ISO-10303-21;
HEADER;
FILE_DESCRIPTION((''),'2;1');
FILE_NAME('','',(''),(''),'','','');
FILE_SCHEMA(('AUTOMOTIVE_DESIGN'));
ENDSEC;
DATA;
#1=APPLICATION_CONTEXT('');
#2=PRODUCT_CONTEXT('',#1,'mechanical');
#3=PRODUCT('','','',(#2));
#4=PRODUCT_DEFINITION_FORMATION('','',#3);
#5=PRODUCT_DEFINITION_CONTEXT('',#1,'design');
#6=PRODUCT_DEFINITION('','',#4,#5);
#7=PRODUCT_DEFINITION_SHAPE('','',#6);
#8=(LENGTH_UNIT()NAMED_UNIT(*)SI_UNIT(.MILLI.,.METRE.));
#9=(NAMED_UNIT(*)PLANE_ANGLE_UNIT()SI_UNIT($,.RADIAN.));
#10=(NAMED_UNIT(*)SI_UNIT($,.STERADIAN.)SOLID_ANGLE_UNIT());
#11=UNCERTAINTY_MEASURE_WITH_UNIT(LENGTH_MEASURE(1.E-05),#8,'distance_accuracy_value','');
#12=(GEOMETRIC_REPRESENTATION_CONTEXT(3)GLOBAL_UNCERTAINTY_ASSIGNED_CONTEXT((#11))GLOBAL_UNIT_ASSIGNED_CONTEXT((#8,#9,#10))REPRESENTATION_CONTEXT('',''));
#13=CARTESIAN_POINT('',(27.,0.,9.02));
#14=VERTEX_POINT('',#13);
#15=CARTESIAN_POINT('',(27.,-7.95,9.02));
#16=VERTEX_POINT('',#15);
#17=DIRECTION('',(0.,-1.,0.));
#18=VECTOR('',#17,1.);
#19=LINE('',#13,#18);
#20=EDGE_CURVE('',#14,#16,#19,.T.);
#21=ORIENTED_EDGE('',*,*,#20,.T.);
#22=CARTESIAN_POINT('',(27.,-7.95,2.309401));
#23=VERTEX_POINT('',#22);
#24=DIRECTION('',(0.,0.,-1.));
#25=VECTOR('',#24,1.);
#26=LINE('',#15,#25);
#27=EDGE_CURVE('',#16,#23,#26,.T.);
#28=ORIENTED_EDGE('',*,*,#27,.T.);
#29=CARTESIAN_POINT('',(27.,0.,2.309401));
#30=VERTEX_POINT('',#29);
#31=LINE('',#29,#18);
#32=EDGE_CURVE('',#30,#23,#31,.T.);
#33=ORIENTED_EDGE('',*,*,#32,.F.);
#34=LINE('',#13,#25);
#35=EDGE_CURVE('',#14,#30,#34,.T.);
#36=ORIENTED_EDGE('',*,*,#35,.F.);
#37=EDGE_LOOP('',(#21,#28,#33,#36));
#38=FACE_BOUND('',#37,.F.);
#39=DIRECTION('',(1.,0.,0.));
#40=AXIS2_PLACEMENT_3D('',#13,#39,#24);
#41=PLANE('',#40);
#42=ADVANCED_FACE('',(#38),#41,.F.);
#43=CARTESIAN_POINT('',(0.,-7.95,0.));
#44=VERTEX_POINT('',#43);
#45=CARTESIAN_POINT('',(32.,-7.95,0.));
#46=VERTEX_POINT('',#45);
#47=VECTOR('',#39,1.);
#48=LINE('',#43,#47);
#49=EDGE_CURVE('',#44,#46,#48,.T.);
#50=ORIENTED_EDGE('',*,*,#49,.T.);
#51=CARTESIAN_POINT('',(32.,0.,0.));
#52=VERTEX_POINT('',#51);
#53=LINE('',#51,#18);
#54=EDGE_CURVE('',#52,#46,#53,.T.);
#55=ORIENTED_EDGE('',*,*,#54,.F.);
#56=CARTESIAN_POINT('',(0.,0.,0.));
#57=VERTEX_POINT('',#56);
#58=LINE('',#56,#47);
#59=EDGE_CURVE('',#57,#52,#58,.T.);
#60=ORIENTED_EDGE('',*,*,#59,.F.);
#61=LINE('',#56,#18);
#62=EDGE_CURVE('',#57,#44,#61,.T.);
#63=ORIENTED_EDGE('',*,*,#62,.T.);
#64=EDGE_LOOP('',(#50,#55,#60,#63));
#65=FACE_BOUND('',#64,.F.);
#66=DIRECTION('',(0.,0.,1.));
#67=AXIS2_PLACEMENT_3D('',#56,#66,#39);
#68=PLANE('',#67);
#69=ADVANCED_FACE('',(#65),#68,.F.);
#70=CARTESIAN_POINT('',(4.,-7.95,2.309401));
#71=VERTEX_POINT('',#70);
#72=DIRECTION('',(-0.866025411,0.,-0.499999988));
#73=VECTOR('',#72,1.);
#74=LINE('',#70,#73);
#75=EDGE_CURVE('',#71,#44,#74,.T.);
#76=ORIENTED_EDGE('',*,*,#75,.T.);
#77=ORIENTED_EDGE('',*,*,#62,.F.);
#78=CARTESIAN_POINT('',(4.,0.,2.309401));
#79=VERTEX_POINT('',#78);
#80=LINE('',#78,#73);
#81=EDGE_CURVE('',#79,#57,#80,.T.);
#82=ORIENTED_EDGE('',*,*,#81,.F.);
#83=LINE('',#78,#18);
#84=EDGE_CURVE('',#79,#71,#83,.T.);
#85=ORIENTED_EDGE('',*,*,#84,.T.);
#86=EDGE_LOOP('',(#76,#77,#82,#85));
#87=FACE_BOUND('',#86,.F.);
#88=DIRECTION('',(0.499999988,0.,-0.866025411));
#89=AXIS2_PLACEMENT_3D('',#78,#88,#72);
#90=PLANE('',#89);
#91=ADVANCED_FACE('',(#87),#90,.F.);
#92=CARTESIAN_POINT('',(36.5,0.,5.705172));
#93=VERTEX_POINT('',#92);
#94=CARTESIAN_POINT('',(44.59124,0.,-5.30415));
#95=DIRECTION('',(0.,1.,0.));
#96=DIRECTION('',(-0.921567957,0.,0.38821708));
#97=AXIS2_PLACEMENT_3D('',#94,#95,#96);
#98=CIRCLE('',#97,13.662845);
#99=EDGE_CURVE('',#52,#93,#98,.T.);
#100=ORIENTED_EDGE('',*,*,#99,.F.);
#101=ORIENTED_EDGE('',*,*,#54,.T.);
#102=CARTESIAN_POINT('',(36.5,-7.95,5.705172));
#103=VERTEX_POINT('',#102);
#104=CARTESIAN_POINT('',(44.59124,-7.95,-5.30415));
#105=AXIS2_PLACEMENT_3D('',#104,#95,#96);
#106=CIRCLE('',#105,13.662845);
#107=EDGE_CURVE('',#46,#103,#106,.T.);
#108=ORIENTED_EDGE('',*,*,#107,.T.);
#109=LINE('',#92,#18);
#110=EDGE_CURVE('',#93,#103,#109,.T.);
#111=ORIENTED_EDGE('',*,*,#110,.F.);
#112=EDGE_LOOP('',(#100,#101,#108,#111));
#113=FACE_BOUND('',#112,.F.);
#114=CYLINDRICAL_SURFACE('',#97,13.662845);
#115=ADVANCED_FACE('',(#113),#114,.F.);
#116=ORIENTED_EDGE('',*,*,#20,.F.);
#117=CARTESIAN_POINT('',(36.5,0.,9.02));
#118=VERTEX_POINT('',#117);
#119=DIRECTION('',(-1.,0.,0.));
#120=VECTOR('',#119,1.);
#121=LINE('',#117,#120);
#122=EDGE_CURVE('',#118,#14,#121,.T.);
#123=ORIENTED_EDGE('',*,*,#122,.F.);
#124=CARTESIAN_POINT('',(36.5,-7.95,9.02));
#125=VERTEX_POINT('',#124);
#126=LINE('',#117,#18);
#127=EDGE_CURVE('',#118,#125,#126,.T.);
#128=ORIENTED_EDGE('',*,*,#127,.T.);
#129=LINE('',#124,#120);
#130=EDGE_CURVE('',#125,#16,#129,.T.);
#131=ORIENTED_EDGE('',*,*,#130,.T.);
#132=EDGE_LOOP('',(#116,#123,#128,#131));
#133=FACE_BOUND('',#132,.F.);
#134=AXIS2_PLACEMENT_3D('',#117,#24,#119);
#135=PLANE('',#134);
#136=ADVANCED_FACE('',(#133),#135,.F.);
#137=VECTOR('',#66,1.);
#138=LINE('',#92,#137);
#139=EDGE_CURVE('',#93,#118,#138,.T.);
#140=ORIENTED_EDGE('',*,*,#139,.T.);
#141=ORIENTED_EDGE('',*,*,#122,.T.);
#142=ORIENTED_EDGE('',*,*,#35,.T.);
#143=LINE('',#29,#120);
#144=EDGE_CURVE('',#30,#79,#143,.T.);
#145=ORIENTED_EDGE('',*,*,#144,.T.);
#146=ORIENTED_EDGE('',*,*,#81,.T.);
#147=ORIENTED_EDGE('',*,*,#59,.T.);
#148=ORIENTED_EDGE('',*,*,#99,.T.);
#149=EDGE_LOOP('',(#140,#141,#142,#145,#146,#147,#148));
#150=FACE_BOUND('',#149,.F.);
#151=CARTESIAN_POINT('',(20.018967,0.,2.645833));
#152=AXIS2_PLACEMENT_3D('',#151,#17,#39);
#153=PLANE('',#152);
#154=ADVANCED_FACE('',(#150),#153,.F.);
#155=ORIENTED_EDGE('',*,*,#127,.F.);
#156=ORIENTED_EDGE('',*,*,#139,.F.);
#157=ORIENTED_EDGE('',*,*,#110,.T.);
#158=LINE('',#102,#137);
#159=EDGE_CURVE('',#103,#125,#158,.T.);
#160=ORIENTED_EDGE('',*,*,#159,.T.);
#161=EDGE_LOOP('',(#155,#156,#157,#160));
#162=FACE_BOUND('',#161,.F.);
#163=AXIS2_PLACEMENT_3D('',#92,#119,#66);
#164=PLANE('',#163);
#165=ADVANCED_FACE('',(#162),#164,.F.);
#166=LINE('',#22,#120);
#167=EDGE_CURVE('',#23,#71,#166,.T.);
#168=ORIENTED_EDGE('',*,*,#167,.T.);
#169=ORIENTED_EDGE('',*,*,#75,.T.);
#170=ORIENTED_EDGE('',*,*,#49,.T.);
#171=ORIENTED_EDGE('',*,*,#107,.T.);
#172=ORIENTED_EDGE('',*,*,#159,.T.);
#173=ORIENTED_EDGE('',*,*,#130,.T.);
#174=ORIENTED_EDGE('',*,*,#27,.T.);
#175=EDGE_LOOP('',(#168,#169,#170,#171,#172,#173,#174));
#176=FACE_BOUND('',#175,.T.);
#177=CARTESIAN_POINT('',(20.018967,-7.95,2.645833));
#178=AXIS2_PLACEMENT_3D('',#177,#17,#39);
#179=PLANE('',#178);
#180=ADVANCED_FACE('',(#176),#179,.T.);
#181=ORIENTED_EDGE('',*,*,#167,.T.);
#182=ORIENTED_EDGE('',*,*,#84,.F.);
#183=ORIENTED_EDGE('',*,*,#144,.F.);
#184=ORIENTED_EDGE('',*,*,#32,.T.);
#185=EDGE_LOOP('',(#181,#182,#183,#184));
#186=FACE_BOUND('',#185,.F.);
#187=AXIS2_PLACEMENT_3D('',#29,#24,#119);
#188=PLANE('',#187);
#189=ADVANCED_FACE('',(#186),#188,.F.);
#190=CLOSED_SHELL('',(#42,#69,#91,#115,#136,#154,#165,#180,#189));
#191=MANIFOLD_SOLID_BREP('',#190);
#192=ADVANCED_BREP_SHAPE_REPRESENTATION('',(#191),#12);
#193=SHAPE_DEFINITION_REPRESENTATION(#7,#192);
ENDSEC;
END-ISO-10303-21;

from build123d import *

# Parameters (mm, degrees)
F1_DEPTH = 7.95


with BuildPart() as f1:
    # F0 (on Front) → F1 (new body)
    with BuildSketch(Plane.XZ):
        with BuildLine():
            Line((4, 2.309401), (0, 0))
            Line((0, 0), (25.413539, 0))
            Line((25.413539, 0), (32, 0))
            ThreePointArc((32, 0), (33.863776, 3.157224), (36.5, 5.705172))
            Line((36.5, 5.705172), (36.5, 9.02))
            Line((36.5, 9.02), (27, 9.02))
            Line((27, 9.02), (27, 4.098076))
            Line((27, 4.098076), (27, 2.309401))
            Line((27, 2.309401), (4, 2.309401))
        make_face()
    extrude(amount=F1_DEPTH)


solid = f1.part
